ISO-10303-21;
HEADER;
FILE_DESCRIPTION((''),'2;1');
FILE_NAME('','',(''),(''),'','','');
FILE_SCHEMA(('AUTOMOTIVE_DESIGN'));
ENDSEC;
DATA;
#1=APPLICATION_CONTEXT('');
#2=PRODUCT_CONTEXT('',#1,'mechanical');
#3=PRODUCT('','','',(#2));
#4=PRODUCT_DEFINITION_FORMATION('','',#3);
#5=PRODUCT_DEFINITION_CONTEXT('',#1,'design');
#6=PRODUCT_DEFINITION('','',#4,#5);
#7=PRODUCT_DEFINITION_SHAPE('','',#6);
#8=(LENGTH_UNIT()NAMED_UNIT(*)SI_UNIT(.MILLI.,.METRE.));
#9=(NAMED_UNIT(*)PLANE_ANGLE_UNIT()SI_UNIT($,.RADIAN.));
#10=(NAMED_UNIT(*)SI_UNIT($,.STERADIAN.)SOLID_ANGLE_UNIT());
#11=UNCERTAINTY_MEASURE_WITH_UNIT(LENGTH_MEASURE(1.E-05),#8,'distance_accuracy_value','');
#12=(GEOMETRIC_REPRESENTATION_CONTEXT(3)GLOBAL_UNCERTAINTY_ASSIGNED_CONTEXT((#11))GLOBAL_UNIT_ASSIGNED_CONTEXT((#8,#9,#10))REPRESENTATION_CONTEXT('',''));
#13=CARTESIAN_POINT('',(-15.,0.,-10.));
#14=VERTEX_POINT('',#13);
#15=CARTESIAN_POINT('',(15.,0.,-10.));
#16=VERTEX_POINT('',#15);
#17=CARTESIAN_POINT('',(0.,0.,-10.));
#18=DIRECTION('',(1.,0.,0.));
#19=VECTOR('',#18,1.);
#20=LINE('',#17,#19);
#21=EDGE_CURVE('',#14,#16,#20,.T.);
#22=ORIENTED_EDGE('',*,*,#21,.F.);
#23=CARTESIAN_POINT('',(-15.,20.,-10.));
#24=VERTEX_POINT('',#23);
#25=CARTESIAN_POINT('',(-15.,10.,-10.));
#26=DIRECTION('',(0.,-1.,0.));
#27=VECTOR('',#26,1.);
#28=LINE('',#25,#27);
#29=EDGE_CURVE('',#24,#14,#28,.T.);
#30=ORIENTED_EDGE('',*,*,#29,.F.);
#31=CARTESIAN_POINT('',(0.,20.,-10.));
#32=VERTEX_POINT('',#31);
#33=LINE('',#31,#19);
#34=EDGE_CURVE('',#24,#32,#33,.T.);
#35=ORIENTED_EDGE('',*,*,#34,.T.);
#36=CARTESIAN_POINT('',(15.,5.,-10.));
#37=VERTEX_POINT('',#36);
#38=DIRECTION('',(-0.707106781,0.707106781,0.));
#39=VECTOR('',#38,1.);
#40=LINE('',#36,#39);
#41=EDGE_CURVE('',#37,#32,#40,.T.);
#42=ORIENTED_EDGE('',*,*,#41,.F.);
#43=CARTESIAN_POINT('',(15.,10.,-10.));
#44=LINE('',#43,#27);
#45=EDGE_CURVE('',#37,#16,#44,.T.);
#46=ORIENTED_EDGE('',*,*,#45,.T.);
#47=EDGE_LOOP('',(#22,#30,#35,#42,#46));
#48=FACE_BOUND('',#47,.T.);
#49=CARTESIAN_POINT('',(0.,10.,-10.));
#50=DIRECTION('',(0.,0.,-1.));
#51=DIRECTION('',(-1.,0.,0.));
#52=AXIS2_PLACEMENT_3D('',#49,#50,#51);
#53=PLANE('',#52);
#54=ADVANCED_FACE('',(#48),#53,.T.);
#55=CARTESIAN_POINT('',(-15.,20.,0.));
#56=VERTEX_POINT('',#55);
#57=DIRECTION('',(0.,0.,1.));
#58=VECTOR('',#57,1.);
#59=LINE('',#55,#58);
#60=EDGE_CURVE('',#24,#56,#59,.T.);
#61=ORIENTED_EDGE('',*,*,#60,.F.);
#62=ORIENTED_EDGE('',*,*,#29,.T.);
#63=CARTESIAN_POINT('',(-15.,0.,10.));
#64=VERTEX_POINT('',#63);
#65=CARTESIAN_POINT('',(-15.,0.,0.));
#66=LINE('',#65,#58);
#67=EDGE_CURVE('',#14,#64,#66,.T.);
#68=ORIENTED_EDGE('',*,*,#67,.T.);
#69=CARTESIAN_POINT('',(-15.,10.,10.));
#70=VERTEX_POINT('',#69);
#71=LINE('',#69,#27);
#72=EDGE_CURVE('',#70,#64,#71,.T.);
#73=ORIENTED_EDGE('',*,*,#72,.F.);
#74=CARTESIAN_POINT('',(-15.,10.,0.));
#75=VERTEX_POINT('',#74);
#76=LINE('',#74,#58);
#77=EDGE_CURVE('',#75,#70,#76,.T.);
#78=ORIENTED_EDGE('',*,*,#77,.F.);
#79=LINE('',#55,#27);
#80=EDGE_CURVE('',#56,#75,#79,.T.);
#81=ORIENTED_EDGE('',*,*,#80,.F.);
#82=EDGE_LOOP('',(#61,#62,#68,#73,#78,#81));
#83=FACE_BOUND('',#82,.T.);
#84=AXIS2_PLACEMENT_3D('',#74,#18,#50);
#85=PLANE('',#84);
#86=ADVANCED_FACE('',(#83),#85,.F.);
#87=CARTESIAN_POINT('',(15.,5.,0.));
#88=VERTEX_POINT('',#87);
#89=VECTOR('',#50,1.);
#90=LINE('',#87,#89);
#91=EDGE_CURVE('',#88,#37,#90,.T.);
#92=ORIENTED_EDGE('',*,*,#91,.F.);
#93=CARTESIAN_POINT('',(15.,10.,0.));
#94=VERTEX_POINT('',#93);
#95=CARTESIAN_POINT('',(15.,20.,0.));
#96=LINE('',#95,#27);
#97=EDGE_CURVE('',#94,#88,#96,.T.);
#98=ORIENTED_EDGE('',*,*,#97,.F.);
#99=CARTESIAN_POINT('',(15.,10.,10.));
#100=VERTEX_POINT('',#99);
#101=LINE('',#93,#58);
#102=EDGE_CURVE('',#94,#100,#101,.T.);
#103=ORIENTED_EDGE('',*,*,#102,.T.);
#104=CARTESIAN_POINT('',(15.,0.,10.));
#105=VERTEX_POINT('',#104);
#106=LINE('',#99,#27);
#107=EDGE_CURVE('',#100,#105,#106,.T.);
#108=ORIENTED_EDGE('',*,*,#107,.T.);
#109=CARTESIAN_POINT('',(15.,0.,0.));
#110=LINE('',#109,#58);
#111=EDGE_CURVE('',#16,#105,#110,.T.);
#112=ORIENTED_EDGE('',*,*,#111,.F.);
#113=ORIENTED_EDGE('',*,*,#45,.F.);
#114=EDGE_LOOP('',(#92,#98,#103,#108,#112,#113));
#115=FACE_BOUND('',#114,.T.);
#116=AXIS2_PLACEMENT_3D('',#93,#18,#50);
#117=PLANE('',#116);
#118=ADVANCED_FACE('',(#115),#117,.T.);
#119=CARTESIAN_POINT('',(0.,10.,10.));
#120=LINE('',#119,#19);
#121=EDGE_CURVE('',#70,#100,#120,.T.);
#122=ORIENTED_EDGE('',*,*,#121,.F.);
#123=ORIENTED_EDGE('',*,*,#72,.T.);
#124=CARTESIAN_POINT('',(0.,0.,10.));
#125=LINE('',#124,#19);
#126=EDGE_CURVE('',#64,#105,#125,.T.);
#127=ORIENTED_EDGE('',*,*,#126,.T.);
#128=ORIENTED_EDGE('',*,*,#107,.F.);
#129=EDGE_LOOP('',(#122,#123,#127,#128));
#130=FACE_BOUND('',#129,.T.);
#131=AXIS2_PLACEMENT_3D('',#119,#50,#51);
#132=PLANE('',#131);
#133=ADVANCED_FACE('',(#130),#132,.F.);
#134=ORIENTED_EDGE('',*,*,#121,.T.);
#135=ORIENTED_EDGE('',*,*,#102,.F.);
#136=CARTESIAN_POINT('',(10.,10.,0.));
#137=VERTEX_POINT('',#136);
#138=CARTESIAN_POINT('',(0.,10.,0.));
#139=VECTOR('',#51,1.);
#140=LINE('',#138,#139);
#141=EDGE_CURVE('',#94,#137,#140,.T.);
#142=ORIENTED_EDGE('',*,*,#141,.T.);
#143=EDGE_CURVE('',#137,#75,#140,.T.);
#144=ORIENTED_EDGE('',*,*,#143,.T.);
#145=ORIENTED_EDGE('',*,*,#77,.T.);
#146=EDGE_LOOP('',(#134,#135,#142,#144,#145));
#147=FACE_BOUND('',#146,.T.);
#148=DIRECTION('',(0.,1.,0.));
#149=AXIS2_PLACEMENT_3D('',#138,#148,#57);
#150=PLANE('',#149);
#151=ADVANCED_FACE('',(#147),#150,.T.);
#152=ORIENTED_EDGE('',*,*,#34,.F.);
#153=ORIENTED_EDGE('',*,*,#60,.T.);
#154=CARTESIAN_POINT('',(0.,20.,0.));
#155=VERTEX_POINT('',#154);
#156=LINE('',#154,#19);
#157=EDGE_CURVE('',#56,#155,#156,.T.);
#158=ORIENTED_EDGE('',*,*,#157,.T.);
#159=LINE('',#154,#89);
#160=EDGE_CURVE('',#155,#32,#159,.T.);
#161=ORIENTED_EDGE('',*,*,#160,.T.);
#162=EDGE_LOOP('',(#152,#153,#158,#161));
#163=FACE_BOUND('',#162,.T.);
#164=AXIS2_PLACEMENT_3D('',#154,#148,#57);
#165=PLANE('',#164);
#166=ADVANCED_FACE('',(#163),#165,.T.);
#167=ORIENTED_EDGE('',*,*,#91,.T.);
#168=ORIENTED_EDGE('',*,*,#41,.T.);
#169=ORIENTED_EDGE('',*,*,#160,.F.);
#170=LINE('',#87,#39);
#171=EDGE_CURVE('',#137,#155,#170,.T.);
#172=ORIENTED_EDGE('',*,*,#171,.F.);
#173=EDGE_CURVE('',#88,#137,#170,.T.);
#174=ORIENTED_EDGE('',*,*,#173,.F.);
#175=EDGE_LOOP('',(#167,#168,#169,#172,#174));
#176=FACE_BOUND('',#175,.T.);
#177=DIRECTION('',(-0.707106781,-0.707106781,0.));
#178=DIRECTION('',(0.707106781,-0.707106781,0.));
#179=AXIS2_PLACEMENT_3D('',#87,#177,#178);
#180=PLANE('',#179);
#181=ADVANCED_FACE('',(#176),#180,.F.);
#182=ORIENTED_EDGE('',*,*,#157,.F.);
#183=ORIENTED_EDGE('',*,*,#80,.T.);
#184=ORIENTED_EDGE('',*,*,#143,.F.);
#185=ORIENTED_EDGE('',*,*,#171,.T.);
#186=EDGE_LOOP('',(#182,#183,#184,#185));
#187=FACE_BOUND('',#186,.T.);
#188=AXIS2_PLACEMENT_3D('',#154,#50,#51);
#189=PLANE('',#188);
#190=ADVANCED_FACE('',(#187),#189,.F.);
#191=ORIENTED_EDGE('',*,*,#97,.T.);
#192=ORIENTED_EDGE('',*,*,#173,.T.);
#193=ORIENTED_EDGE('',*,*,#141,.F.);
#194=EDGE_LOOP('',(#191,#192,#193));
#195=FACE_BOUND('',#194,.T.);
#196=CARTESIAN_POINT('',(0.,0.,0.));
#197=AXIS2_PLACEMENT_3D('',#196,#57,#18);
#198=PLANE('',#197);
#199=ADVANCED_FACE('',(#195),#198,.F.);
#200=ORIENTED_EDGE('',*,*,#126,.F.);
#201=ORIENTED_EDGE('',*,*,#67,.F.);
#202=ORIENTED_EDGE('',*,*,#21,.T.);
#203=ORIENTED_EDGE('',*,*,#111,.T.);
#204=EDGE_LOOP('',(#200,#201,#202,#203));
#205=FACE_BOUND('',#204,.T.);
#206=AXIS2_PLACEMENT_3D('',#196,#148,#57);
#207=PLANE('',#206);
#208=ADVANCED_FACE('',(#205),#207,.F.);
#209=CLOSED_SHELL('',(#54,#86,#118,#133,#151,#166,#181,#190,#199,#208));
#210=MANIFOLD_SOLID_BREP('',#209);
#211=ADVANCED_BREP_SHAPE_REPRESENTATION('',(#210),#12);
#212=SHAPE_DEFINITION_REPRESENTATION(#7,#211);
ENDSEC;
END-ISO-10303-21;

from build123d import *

# Parameters (mm, degrees)
SKETCH_1_W          = 30
SKETCH_1_H          = 20
EXTRUDE_1_DEPTH     = 10
SKETCH_1_3_W        = 30
SKETCH_1_3_H        = 10
EXTRUDE_2_DEPTH     = 20
CUT_EXTRUDE_1_DEPTH = 10


with BuildPart() as part:
    # 草圖1 → 填料-伸長1 (new body)
    with BuildSketch(Plane(origin=(0, 0, 0), x_dir=(1, 0, 0), z_dir=(0, 1, 0))):
        Rectangle(SKETCH_1_W, SKETCH_1_H)
    extrude(amount=EXTRUDE_1_DEPTH)

    # 草圖1<3> → 填料-伸長2 (add)
    with BuildSketch(Plane(origin=(0, 0, 0), x_dir=(1, 0, 0), z_dir=(0, 1, 0))):
        with Locations((0, 5)):
            Rectangle(SKETCH_1_3_W, SKETCH_1_3_H)
    extrude(amount=EXTRUDE_2_DEPTH)

    # 草圖2 → 除料-伸長1 (cut)
    with BuildSketch(Plane(origin=(0, 0, -10), x_dir=(-1, 0, 0), z_dir=(0, 0, -1))):
        Polygon((-15, 5), (0, 20), (-15, 20), align=None)
    extrude(amount=-CUT_EXTRUDE_1_DEPTH, mode=Mode.SUBTRACT)


solid = part.part
